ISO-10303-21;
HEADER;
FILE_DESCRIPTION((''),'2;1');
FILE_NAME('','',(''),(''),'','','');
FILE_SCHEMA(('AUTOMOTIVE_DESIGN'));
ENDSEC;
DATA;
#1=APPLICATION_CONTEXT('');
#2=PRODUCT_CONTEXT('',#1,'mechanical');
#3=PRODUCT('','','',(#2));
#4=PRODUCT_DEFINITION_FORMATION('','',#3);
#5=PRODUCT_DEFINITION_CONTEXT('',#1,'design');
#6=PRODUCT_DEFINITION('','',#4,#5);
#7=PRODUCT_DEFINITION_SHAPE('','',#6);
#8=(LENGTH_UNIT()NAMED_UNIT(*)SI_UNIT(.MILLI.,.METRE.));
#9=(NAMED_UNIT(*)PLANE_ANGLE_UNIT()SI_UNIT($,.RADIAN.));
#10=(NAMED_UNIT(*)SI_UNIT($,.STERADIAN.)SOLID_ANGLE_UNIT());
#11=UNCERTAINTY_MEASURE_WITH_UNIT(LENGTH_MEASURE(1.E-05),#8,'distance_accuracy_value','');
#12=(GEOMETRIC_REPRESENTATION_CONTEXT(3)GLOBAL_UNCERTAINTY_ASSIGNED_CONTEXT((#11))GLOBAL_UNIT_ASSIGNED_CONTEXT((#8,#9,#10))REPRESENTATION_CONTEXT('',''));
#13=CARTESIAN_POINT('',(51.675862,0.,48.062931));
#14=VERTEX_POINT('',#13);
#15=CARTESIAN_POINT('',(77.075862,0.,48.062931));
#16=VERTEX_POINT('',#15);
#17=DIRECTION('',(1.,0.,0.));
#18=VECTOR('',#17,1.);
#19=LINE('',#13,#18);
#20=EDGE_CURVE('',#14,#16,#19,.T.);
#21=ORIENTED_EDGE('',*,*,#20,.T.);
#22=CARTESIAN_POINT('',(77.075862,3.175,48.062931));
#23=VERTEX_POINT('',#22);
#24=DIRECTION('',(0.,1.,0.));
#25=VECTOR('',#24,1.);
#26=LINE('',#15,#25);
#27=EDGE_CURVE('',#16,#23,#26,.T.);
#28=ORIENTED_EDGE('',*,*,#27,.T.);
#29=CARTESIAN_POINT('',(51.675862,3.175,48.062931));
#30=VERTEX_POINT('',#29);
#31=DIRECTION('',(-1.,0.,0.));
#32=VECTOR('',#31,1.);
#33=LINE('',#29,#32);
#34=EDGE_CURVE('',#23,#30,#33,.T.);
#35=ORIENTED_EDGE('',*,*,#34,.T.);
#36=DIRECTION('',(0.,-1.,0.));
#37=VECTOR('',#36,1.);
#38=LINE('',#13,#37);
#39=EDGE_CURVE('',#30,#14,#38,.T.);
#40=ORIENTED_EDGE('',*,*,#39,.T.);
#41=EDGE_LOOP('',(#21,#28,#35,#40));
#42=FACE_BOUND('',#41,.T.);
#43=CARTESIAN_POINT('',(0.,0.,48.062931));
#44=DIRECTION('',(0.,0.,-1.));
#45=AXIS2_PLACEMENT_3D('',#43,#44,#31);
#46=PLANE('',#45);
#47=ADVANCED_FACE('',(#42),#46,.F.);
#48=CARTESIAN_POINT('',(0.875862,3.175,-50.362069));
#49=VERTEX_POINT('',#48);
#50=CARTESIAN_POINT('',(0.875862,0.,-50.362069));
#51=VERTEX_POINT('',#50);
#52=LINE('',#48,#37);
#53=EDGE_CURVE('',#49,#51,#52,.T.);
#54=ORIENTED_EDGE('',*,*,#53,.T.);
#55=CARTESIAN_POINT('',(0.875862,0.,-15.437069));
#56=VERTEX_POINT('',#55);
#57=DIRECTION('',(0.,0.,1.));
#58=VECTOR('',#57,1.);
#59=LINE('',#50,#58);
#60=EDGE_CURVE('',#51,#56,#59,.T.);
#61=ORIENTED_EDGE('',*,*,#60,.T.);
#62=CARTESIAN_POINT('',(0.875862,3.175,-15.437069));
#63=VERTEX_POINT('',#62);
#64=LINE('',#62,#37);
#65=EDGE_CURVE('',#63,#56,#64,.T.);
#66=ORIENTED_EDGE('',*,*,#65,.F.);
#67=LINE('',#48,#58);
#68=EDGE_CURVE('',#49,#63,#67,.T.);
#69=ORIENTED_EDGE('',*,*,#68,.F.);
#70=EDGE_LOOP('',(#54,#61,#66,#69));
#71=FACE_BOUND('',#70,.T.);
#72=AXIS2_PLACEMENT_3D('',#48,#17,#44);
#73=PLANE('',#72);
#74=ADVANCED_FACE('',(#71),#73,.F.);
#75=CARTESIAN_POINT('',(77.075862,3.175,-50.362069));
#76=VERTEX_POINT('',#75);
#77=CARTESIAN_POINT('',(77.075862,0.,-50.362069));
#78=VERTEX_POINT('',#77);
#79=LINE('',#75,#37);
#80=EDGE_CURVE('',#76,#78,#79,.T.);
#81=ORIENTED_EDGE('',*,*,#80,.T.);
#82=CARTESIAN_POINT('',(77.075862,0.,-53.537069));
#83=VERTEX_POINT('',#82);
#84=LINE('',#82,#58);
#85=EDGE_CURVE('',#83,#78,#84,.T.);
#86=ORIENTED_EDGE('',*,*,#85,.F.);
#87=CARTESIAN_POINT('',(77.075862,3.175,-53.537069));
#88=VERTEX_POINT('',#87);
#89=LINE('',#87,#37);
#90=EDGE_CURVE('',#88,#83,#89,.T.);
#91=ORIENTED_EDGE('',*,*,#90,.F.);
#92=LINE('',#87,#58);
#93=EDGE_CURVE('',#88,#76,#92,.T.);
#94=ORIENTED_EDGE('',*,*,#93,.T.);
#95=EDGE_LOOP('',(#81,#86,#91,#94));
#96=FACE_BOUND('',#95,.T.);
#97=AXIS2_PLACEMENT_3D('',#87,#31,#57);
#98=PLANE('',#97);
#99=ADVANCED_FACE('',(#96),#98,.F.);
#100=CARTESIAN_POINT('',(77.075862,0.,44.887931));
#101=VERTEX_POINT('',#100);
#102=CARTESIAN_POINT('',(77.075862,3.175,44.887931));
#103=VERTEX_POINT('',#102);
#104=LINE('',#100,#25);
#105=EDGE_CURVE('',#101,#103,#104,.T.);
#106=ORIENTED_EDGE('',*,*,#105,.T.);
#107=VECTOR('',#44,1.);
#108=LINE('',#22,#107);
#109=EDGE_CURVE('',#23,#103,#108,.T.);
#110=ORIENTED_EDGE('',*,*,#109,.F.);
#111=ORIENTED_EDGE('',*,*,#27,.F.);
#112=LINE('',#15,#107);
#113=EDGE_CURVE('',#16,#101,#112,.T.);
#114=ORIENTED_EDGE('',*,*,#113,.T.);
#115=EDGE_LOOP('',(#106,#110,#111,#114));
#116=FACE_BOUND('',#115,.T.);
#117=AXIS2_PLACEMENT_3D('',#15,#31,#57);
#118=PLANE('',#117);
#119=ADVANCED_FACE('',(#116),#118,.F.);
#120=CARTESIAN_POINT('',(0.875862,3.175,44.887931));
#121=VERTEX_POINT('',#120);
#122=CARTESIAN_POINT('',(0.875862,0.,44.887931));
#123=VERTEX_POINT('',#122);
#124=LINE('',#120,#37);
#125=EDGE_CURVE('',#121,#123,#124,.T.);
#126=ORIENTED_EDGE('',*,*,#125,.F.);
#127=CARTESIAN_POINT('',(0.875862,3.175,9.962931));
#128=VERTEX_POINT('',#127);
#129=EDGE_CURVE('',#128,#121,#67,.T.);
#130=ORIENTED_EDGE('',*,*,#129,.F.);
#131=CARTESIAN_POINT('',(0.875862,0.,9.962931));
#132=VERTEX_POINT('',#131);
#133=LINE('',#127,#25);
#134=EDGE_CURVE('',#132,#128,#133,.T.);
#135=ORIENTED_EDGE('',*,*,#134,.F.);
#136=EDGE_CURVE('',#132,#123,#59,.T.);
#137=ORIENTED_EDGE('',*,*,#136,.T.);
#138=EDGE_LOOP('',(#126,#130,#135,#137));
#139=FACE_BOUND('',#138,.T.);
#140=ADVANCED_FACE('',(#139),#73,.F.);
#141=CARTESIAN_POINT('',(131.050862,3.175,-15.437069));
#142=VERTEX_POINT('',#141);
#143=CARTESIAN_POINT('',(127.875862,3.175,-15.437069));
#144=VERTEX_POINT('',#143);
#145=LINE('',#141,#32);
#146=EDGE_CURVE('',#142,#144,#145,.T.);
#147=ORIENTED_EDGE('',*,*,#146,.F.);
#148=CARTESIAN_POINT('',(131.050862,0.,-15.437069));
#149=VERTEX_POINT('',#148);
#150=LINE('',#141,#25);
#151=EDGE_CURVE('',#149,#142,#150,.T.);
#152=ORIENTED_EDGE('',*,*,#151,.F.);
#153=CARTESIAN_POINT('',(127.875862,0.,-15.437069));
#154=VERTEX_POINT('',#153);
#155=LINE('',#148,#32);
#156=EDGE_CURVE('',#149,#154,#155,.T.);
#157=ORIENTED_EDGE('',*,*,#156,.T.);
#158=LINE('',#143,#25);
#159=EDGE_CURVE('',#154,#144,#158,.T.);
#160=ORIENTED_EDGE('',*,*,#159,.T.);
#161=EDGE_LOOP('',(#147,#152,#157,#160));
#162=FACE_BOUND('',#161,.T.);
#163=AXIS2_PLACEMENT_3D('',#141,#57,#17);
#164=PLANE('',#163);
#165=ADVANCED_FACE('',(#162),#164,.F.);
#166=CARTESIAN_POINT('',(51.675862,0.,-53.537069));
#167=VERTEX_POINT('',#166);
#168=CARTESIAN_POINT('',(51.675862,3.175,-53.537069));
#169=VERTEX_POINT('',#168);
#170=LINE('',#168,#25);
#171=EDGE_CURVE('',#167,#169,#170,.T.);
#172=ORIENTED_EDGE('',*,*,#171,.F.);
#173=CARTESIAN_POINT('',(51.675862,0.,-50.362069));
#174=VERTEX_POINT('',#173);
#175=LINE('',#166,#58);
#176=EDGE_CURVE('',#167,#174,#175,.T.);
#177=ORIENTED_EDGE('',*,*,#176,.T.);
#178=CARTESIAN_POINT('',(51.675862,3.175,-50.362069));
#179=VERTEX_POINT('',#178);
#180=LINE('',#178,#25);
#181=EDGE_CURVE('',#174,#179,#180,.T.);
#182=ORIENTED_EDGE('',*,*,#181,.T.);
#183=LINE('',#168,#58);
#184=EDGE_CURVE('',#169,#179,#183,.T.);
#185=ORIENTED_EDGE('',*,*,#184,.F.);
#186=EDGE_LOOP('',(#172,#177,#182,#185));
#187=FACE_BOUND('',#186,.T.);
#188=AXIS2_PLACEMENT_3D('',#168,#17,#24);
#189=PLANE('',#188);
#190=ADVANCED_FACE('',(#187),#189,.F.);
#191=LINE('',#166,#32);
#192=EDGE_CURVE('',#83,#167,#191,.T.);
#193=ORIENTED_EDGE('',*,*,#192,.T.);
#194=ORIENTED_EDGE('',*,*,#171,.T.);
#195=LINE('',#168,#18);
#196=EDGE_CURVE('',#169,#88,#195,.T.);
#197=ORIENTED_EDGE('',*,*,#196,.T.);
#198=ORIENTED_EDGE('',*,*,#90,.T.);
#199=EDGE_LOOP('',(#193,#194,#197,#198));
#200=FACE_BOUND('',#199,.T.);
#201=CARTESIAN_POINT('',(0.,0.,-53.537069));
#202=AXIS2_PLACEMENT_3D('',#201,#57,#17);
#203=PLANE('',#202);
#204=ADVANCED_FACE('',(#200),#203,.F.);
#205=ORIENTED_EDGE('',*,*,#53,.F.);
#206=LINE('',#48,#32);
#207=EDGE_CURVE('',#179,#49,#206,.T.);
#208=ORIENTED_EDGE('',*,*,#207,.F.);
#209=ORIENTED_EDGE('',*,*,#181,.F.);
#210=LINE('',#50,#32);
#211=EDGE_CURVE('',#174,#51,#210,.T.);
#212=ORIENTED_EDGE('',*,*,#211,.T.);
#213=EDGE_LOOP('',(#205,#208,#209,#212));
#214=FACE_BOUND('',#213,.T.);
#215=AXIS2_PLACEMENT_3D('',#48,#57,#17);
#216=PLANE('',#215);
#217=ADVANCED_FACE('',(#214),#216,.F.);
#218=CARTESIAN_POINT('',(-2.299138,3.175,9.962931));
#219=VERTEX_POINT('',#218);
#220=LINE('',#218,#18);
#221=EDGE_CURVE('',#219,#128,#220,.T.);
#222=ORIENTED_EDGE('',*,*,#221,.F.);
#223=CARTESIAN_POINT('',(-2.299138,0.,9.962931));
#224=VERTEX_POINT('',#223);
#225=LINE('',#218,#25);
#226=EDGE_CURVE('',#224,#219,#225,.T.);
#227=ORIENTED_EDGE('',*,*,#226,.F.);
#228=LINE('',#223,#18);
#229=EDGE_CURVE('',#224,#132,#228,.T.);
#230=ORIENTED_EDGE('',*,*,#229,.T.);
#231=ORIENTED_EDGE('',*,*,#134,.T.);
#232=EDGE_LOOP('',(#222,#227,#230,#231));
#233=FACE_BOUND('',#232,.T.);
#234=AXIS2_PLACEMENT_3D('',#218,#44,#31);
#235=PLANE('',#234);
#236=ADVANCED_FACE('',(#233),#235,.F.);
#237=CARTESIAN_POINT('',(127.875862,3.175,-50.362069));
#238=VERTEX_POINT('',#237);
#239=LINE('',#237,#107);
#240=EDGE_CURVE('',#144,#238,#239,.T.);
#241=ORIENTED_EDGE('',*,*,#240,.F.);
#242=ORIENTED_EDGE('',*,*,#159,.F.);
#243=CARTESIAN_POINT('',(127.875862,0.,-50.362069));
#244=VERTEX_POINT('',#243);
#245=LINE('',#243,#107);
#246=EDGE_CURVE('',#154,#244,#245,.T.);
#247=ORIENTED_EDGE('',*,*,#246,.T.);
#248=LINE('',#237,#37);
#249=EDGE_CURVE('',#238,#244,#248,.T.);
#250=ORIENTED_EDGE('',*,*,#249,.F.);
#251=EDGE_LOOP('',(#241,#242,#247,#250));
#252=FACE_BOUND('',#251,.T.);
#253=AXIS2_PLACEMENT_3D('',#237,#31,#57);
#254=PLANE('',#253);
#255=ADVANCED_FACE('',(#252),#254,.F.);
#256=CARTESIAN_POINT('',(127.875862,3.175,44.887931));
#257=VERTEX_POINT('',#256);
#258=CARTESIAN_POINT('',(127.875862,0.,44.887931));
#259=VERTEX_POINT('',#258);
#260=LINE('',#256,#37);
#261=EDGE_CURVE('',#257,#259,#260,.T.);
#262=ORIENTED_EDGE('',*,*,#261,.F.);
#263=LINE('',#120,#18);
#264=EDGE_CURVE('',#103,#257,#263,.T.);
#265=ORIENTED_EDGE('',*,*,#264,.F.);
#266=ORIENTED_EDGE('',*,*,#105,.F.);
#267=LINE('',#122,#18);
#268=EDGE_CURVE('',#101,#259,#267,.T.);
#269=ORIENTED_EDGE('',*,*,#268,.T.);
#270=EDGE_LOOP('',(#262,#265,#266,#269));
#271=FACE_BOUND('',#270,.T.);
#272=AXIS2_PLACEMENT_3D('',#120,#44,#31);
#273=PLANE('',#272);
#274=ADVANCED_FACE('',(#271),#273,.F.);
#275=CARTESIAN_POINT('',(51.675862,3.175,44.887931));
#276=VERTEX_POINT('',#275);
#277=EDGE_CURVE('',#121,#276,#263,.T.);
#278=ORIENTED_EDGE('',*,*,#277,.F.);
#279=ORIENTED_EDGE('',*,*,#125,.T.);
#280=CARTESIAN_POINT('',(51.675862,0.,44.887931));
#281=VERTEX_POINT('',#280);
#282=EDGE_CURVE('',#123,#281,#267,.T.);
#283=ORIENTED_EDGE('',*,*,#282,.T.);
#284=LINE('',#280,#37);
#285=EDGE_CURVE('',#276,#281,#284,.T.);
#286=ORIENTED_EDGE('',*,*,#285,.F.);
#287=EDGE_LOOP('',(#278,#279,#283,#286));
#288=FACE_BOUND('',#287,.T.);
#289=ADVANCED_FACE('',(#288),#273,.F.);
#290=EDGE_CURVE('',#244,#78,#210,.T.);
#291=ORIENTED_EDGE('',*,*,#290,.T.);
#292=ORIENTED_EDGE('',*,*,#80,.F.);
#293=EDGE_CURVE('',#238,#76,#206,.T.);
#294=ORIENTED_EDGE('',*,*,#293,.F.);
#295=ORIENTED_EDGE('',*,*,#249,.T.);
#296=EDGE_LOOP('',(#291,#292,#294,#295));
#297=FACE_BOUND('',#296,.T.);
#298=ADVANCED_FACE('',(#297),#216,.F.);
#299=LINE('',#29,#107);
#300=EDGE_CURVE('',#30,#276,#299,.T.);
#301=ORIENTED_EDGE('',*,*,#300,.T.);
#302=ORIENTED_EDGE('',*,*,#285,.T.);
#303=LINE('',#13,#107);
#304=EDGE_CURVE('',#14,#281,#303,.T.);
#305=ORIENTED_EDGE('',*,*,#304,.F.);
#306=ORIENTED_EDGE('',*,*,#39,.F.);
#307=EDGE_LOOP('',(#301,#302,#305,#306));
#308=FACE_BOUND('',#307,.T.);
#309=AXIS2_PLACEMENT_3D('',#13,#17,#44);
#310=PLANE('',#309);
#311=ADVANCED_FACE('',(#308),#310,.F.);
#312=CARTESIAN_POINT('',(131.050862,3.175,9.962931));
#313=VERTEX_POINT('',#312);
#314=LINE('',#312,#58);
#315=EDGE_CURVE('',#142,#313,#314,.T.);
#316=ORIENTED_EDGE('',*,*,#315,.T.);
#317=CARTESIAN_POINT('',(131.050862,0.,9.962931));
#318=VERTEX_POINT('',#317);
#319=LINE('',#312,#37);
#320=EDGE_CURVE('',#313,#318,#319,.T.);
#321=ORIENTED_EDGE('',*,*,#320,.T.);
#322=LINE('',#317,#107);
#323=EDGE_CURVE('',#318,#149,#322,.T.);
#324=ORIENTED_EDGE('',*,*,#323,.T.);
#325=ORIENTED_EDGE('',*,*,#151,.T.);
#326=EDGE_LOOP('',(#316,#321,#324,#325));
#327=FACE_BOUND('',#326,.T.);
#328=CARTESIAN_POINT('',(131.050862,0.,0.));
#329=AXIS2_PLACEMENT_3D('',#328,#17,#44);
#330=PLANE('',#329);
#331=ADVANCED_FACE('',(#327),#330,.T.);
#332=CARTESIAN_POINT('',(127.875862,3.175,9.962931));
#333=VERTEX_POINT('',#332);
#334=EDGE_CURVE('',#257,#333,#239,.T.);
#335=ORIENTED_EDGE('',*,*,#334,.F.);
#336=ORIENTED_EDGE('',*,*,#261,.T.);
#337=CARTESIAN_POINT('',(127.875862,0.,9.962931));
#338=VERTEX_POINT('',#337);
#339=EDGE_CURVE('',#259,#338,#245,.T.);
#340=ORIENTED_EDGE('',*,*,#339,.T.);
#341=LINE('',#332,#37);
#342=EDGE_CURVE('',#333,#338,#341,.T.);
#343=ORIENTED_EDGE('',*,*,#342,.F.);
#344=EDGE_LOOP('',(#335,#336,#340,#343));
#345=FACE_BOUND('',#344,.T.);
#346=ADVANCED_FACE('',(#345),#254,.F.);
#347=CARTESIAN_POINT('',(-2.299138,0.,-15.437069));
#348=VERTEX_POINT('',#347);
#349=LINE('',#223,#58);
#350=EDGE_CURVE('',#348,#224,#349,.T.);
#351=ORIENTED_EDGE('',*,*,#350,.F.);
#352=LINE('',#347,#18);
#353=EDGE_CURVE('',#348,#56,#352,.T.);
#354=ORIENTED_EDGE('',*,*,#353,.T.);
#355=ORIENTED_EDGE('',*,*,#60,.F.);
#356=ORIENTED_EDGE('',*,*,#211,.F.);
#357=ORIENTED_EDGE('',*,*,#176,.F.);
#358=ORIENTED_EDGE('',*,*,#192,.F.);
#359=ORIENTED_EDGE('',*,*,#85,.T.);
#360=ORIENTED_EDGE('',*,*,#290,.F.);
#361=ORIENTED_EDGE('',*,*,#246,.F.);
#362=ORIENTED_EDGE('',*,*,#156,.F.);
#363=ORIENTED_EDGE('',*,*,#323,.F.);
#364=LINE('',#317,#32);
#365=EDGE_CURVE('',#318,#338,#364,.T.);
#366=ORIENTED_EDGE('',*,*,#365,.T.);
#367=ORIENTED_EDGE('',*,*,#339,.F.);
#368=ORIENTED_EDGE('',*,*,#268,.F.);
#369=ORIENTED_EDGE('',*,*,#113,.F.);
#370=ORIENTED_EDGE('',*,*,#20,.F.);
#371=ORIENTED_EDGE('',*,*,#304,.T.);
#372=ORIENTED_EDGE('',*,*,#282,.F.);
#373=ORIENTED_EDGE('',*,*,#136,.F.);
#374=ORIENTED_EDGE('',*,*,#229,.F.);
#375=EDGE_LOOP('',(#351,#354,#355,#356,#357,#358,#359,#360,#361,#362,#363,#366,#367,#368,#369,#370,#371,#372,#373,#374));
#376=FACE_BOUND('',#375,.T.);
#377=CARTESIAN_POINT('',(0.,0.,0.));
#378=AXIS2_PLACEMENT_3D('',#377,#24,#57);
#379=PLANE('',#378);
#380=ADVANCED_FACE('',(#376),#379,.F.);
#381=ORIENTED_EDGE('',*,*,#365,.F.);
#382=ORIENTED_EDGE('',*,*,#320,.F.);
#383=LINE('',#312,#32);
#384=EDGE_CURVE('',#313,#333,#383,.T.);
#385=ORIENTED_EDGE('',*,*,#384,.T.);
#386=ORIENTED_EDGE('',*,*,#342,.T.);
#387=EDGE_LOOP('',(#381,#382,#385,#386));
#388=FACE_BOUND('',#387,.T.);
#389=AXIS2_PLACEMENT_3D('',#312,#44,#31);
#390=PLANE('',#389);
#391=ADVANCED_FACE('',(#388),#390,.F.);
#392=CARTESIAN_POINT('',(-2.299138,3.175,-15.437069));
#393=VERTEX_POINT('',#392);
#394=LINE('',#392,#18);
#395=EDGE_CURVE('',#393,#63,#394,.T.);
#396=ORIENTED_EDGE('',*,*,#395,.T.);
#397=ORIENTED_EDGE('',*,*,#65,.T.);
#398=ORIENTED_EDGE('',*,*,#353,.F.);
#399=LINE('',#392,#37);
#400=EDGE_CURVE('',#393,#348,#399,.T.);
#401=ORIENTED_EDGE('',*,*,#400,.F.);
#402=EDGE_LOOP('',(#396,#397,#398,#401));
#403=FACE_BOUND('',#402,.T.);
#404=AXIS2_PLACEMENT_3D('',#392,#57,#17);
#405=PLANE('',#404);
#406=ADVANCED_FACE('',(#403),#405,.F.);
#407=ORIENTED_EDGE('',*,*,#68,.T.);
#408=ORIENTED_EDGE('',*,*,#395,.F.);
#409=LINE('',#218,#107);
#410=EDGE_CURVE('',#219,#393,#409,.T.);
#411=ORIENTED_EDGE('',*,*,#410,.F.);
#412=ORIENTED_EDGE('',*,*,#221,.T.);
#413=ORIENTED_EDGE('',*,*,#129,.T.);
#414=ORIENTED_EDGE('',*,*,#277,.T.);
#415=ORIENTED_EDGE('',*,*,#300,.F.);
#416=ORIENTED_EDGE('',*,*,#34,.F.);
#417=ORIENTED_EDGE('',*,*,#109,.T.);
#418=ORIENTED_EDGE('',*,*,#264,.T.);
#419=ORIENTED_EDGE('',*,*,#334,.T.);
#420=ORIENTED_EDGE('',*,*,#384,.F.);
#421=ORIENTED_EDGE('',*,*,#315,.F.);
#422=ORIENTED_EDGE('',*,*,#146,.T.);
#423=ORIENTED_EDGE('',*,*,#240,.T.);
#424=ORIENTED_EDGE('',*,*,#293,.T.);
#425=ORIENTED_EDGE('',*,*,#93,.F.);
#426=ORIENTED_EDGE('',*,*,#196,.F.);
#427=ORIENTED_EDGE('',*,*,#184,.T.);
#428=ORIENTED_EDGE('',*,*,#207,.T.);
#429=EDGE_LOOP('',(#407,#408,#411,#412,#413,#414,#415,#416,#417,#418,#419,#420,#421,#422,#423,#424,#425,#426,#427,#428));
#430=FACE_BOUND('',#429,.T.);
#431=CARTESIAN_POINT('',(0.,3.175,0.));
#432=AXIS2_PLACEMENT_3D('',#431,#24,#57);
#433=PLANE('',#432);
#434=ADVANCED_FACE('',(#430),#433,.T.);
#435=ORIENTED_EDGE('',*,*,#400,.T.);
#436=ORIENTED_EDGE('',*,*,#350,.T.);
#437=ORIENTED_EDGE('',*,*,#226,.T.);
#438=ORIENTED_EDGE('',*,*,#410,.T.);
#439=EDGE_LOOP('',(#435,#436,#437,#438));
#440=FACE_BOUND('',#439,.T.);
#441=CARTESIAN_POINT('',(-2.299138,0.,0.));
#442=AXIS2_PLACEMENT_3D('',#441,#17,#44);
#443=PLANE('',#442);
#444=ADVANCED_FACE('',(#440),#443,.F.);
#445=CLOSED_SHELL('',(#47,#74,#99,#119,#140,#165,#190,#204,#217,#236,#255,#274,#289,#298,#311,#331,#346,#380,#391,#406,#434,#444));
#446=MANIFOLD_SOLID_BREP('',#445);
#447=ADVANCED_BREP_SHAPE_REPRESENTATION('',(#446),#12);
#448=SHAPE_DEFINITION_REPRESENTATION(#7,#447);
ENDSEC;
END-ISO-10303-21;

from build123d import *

# Parameters (mm, degrees)
SKETCH1_W           = 127
SKETCH1_H           = 95.25
BOSS_EXTRUDE1_DEPTH = 3.175
SKETCH2_W           = 25.4
SKETCH2_H           = 3.175
BOSS_EXTRUDE2_DEPTH = 3.175
SKETCH3_W           = 25.4
SKETCH3_H           = 3.175
BOSS_EXTRUDE3_DEPTH = 3.175
SKETCH4_W           = 25.4
SKETCH4_H           = 3.175
BOSS_EXTRUDE4_DEPTH = 3.175
SKETCH5_W           = 25.4
SKETCH5_H           = 3.175
BOSS_EXTRUDE5_DEPTH = 3.175


with BuildPart() as part:
    # Sketch1 → Boss-Extrude1 (new body)
    with BuildSketch(Plane(origin=(0, 0, 0), x_dir=(1, 0, 0), z_dir=(0, 1, 0))):
        with Locations((64.375862069, 2.737068966)):
            Rectangle(SKETCH1_W, SKETCH1_H)
    extrude(amount=BOSS_EXTRUDE1_DEPTH)

    # Sketch2 → Boss-Extrude2 (add)
    with BuildSketch(Plane(origin=(127.875862069, 0, 0), x_dir=(0, 0, -1), z_dir=(1, 0, 0))):
        with Locations((2.737068966, 1.5875)):
            Rectangle(SKETCH2_W, SKETCH2_H)
    extrude(amount=BOSS_EXTRUDE2_DEPTH)

    # Sketch3 → Boss-Extrude3 (add)
    with BuildSketch(Plane.ZY.offset(-0.875862069)):
        with Locations((-2.737068966, 1.5875)):
            Rectangle(SKETCH3_W, SKETCH3_H)
    extrude(amount=BOSS_EXTRUDE3_DEPTH)

    # Sketch4 → Boss-Extrude4 (add)
    with BuildSketch(Plane(origin=(0, 0, -50.362068966), x_dir=(-1, 0, 0), z_dir=(0, 0, -1))):
        with Locations((-64.375862069, 1.5875)):
            Rectangle(SKETCH4_W, SKETCH4_H)
    extrude(amount=BOSS_EXTRUDE4_DEPTH)

    # Sketch5 → Boss-Extrude5 (add)
    with BuildSketch(Plane.XY.offset(44.887931034)):
        with Locations((64.375862069, 1.5875)):
            Rectangle(SKETCH5_W, SKETCH5_H)
    extrude(amount=BOSS_EXTRUDE5_DEPTH)


solid = part.part
